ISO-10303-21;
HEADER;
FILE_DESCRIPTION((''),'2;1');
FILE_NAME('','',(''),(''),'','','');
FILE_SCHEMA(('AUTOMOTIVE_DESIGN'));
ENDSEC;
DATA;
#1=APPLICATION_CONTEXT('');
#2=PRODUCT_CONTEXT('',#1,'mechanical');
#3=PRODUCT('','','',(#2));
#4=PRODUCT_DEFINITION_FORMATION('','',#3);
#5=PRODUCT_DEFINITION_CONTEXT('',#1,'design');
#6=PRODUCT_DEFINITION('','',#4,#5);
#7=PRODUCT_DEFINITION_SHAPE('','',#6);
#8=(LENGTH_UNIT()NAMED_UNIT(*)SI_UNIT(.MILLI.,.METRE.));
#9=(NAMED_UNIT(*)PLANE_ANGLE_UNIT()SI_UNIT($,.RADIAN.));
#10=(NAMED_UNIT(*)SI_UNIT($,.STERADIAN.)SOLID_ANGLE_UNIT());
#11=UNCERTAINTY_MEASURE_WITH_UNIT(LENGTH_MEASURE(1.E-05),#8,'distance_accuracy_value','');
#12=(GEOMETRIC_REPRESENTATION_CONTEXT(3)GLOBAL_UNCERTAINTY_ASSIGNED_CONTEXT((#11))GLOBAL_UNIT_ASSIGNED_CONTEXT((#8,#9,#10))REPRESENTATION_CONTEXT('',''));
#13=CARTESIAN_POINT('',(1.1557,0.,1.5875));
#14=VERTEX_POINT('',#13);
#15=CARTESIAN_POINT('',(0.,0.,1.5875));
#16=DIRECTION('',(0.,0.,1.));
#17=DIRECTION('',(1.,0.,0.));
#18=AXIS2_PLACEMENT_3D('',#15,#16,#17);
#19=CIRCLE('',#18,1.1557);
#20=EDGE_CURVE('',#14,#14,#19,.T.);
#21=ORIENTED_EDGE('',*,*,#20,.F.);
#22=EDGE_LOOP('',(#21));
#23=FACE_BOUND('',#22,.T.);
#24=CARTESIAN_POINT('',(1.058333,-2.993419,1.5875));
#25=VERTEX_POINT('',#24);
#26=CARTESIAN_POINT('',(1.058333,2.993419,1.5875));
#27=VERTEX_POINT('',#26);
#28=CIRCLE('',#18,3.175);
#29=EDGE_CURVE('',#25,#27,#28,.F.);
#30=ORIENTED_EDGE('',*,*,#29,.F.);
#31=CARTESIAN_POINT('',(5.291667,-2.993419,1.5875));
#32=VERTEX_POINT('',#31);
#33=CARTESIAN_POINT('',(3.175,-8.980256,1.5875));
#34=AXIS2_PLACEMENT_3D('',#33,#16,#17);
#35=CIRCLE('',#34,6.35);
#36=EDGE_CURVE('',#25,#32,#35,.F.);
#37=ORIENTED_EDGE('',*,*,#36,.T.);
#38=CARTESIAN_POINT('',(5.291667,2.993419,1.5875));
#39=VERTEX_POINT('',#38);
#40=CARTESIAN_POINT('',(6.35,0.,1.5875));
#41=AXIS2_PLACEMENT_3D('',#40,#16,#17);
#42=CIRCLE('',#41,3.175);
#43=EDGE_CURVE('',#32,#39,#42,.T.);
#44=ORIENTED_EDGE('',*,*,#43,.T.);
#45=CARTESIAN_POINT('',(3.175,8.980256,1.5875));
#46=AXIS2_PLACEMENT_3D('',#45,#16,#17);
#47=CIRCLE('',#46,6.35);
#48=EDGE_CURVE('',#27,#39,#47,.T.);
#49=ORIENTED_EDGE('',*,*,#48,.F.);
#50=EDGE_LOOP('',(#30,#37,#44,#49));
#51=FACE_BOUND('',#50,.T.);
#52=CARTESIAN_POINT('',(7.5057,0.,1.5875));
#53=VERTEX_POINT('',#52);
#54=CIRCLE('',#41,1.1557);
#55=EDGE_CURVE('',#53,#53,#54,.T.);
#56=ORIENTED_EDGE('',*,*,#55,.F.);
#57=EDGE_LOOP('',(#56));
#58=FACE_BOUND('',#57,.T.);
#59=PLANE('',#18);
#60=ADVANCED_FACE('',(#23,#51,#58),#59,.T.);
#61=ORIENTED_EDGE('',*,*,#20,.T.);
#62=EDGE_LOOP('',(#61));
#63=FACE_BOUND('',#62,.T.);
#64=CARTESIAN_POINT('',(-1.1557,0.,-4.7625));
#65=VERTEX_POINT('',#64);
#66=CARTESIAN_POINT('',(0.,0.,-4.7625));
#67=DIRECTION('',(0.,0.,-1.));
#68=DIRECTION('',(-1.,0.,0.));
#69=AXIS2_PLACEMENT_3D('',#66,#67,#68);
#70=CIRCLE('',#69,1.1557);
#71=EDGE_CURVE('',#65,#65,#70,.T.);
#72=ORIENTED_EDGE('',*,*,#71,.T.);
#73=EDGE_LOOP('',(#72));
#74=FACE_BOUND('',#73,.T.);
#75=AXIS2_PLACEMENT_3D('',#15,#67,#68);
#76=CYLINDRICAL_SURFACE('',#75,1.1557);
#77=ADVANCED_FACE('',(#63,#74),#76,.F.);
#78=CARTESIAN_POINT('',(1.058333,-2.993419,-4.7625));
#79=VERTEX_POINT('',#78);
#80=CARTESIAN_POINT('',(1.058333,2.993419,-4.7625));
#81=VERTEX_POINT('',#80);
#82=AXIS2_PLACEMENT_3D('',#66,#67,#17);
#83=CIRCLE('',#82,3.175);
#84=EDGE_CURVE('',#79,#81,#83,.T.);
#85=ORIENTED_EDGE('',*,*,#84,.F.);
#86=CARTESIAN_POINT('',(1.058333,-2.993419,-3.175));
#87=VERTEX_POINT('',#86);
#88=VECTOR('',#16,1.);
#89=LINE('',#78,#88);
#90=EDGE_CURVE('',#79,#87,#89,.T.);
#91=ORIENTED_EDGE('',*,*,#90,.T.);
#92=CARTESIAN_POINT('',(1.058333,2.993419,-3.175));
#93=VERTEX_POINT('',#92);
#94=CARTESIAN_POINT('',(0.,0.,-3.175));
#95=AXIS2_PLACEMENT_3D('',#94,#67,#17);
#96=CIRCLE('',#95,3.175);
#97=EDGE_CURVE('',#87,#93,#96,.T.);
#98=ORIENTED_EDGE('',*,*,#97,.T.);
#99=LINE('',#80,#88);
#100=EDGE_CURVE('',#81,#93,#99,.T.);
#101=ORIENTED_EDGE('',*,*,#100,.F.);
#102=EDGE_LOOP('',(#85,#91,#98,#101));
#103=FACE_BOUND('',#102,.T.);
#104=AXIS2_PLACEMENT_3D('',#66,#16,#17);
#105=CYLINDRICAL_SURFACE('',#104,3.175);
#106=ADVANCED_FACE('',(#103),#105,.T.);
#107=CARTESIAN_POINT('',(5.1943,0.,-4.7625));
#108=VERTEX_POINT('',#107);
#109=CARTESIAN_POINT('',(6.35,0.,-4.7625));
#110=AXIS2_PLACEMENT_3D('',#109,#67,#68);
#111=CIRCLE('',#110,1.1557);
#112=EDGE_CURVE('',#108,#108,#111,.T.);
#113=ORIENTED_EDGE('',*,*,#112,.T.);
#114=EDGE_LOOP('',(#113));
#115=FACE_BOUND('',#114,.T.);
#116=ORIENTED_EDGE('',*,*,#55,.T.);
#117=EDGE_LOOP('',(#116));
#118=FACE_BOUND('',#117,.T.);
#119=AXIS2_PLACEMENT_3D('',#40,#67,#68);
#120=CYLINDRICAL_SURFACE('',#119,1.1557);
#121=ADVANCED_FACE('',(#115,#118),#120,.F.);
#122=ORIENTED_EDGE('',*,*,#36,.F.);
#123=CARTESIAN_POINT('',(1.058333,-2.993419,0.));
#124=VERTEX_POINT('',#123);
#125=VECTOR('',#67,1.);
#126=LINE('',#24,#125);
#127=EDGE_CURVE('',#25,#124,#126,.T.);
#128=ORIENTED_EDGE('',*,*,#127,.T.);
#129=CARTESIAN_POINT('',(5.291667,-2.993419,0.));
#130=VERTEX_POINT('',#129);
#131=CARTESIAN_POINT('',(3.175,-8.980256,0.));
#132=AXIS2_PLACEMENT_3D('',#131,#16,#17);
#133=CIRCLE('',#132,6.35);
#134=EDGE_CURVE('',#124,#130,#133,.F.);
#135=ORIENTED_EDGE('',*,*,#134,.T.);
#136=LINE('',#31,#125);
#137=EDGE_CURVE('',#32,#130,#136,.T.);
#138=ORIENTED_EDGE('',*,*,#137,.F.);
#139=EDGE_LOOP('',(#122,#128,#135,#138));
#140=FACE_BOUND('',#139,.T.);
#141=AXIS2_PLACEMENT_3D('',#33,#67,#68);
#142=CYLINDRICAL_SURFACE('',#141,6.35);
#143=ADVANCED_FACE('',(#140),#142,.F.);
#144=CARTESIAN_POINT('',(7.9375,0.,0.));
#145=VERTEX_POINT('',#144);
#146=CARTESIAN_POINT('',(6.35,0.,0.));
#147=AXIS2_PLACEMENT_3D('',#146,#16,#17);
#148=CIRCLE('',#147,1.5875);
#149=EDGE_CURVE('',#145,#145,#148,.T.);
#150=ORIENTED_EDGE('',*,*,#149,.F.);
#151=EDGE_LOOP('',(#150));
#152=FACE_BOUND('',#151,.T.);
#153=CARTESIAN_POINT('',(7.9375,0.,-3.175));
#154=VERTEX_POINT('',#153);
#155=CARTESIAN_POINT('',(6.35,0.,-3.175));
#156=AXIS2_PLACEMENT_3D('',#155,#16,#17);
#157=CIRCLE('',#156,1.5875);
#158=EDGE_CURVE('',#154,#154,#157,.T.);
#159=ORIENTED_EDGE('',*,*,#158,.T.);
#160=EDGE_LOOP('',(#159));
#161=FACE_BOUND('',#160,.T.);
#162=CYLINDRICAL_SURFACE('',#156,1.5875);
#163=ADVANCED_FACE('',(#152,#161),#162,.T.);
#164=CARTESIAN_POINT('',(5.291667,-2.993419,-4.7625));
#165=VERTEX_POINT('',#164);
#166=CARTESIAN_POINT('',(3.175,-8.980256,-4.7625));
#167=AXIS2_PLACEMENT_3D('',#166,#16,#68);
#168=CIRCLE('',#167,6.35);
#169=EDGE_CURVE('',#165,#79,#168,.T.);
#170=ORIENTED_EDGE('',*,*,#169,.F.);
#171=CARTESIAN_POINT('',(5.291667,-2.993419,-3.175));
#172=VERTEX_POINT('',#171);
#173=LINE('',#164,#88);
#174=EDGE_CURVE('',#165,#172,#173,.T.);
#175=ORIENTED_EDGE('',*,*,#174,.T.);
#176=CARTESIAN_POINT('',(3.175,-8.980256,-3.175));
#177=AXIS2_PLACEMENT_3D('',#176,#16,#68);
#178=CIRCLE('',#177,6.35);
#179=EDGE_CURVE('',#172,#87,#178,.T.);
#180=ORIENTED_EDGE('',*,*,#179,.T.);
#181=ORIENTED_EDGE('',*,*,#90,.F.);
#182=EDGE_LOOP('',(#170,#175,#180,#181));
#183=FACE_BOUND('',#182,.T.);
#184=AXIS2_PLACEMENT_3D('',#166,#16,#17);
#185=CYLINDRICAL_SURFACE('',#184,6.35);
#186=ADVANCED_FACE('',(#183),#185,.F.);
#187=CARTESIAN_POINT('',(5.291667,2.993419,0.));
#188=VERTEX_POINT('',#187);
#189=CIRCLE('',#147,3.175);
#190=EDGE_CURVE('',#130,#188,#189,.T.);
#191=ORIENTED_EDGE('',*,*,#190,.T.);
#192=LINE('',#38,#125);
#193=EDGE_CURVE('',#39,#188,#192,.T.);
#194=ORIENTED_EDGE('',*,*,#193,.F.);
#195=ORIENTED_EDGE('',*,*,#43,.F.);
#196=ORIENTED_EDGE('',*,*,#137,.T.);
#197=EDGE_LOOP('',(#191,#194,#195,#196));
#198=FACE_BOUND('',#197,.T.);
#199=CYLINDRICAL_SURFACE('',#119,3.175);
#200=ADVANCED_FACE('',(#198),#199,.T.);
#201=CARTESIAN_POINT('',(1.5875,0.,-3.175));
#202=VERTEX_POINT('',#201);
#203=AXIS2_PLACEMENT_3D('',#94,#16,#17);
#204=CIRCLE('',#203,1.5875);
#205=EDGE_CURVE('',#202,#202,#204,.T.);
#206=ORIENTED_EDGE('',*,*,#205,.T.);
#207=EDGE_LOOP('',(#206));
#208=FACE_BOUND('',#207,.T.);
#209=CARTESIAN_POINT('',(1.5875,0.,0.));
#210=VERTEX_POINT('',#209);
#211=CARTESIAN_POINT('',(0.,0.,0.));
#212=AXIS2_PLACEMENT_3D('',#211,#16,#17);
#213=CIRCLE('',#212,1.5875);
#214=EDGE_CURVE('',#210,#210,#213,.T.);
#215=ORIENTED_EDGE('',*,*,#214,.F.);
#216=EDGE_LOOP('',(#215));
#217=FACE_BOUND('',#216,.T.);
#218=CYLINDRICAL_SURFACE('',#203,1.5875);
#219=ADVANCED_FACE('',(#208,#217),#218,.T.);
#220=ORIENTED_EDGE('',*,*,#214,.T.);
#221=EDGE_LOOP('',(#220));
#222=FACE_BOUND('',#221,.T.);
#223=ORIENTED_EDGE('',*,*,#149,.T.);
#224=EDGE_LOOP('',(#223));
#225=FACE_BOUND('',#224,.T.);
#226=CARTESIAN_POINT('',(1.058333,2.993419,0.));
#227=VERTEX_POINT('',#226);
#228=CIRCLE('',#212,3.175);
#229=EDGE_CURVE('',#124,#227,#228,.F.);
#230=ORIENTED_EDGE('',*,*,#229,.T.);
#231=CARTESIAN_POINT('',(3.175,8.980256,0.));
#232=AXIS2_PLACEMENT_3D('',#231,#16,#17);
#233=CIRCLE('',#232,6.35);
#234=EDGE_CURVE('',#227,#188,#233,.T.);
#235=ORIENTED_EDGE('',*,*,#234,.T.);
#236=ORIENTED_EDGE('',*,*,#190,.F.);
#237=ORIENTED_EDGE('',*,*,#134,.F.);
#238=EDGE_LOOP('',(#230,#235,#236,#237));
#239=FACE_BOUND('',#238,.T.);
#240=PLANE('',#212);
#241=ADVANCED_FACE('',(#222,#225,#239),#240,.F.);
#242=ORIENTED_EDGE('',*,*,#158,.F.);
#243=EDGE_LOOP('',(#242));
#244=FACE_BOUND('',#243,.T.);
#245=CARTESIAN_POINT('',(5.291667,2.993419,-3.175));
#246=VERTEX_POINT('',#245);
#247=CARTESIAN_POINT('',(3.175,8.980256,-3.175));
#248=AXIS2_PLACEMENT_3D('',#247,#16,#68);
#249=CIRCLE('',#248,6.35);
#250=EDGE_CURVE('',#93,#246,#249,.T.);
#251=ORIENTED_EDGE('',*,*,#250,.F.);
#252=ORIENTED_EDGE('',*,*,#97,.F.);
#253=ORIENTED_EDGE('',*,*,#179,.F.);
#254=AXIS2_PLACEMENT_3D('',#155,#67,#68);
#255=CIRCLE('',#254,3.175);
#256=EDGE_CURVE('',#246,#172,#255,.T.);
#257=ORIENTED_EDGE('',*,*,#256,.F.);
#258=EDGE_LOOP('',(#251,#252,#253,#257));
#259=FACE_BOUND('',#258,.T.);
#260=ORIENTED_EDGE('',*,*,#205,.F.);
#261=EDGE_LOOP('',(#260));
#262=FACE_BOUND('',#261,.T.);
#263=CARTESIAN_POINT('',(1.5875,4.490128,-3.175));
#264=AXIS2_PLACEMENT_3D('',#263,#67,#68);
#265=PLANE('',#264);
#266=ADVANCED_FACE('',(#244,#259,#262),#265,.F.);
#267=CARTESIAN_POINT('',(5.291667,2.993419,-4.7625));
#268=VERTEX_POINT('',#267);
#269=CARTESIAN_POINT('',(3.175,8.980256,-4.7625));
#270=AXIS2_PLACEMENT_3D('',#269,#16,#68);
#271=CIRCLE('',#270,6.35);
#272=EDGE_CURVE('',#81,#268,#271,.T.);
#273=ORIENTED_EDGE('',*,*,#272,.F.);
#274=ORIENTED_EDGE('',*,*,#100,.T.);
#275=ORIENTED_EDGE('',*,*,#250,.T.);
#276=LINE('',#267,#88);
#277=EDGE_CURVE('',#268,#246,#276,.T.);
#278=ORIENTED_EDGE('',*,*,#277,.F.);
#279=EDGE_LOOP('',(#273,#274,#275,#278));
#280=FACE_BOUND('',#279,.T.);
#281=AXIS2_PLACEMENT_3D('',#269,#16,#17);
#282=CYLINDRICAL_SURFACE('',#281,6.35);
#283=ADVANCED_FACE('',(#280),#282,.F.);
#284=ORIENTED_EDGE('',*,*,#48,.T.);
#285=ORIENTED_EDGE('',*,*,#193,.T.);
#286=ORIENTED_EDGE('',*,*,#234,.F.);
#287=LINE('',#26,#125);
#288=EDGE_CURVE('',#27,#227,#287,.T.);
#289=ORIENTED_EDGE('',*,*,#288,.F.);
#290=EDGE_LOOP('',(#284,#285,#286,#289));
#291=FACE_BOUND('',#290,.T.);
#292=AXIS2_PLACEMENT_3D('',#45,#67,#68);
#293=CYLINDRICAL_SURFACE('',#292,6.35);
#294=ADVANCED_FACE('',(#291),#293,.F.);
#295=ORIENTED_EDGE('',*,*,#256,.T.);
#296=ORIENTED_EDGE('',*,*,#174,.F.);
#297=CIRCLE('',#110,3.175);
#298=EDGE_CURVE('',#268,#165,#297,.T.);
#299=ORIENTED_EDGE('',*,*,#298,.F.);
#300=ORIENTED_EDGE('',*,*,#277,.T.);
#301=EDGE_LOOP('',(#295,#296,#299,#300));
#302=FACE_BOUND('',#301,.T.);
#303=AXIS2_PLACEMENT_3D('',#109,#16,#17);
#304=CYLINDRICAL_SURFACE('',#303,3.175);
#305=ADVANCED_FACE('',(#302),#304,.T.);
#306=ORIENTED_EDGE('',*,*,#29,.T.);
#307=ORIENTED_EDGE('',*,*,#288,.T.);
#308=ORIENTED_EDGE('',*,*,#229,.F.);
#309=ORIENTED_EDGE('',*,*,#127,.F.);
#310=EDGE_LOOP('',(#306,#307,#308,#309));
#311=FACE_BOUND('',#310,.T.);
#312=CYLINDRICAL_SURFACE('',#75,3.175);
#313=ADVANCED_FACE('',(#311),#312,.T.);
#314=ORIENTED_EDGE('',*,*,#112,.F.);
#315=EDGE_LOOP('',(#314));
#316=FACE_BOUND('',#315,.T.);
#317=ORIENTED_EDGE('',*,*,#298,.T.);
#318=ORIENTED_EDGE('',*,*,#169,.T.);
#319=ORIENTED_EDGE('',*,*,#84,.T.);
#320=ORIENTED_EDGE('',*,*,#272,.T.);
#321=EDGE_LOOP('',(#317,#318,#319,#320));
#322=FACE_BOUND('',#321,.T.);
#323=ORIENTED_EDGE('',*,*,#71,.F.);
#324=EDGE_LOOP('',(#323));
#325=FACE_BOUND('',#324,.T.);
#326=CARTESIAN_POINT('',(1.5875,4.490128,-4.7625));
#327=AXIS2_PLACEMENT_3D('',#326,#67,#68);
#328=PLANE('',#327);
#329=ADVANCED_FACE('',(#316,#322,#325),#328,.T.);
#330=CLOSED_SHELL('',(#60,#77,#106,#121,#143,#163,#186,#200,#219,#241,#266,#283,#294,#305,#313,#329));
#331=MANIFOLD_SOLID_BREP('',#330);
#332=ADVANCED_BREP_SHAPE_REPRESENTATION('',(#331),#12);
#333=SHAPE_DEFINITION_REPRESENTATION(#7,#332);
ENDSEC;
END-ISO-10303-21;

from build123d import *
from build123d.topology import SkipClean

# Parameters (mm, degrees)
SKETCH1_R           = 1.1557
BOSS_EXTRUDE1_DEPTH = 1.5875
BOSS_EXTRUDE2_START = -3.175
SKETCH1_3_R         = 1.5875
SKETCH1_3_R_2       = 1.1557
BOSS_EXTRUDE2_DEPTH = 3.175
BOSS_EXTRUDE3_START = 1.5875
SKETCH2_R           = 1.1557
BOSS_EXTRUDE3_DEPTH = 1.5875


with BuildPart() as part:
    # Sketch1 → Boss-Extrude1 (new body)
    with BuildSketch(Plane.XY):
        with BuildLine():
            ThreePointArc((1.058333333, 2.993418707), (-3.175, 0), (1.058333333, -2.993418707))
            ThreePointArc((1.058333333, -2.993418707), (3.175, -2.630256121), (5.291666667, -2.993418707))
            ThreePointArc((5.291666667, -2.993418707), (9.525, 0), (5.291666667, 2.993418707))
            ThreePointArc((5.291666667, 2.993418707), (3.175, 2.630256121), (1.058333333, 2.993418707))
        make_face()
        Circle(SKETCH1_R, mode=Mode.SUBTRACT)
        with Locations((6.35, 0)):
            Circle(SKETCH1_R, mode=Mode.SUBTRACT)
    extrude(amount=BOSS_EXTRUDE1_DEPTH)

    # Sketch1<3> → Boss-Extrude2 (add)
    # profile 1 of 2: a face of its own
    with BuildSketch(Plane.XY.offset(BOSS_EXTRUDE2_START)):
        Circle(SKETCH1_3_R)
        Circle(SKETCH1_3_R_2, mode=Mode.SUBTRACT)
    # profile 2 of 2: a face of its own
    with BuildSketch(Plane.XY.offset(BOSS_EXTRUDE2_START)):
        with Locations((6.35, 0)):
            Circle(SKETCH1_3_R)
        with Locations((6.35, 0)):
            Circle(SKETCH1_3_R_2, mode=Mode.SUBTRACT)
    extrude(amount=BOSS_EXTRUDE2_DEPTH)

    # Sketch2 → Boss-Extrude3 (add)
    with SkipClean():  # the faces are left unmerged after this step: merging them gives an invalid solid
        with BuildSketch(Plane(origin=(0, 0, -3.175), x_dir=(-1, 0, 0), z_dir=(0, 0, -1)).offset(BOSS_EXTRUDE3_START)):
            with BuildLine():
                ThreePointArc((-1.058333333, 2.993418707), (3.175, 0), (-1.058333333, -2.993418707))
                ThreePointArc((-1.058333333, -2.993418707), (-3.175, -2.630256121), (-5.291666667, -2.993418707))
                ThreePointArc((-5.291666667, -2.993418707), (-9.525, 0), (-5.291666667, 2.993418707))
                ThreePointArc((-5.291666667, 2.993418707), (-3.175, 2.630256121), (-1.058333333, 2.993418707))
            make_face()
            with Locations((-6.35, 0)):
                Circle(SKETCH2_R, mode=Mode.SUBTRACT)
            Circle(SKETCH2_R, mode=Mode.SUBTRACT)
        extrude(amount=-BOSS_EXTRUDE3_DEPTH)


solid = part.part
